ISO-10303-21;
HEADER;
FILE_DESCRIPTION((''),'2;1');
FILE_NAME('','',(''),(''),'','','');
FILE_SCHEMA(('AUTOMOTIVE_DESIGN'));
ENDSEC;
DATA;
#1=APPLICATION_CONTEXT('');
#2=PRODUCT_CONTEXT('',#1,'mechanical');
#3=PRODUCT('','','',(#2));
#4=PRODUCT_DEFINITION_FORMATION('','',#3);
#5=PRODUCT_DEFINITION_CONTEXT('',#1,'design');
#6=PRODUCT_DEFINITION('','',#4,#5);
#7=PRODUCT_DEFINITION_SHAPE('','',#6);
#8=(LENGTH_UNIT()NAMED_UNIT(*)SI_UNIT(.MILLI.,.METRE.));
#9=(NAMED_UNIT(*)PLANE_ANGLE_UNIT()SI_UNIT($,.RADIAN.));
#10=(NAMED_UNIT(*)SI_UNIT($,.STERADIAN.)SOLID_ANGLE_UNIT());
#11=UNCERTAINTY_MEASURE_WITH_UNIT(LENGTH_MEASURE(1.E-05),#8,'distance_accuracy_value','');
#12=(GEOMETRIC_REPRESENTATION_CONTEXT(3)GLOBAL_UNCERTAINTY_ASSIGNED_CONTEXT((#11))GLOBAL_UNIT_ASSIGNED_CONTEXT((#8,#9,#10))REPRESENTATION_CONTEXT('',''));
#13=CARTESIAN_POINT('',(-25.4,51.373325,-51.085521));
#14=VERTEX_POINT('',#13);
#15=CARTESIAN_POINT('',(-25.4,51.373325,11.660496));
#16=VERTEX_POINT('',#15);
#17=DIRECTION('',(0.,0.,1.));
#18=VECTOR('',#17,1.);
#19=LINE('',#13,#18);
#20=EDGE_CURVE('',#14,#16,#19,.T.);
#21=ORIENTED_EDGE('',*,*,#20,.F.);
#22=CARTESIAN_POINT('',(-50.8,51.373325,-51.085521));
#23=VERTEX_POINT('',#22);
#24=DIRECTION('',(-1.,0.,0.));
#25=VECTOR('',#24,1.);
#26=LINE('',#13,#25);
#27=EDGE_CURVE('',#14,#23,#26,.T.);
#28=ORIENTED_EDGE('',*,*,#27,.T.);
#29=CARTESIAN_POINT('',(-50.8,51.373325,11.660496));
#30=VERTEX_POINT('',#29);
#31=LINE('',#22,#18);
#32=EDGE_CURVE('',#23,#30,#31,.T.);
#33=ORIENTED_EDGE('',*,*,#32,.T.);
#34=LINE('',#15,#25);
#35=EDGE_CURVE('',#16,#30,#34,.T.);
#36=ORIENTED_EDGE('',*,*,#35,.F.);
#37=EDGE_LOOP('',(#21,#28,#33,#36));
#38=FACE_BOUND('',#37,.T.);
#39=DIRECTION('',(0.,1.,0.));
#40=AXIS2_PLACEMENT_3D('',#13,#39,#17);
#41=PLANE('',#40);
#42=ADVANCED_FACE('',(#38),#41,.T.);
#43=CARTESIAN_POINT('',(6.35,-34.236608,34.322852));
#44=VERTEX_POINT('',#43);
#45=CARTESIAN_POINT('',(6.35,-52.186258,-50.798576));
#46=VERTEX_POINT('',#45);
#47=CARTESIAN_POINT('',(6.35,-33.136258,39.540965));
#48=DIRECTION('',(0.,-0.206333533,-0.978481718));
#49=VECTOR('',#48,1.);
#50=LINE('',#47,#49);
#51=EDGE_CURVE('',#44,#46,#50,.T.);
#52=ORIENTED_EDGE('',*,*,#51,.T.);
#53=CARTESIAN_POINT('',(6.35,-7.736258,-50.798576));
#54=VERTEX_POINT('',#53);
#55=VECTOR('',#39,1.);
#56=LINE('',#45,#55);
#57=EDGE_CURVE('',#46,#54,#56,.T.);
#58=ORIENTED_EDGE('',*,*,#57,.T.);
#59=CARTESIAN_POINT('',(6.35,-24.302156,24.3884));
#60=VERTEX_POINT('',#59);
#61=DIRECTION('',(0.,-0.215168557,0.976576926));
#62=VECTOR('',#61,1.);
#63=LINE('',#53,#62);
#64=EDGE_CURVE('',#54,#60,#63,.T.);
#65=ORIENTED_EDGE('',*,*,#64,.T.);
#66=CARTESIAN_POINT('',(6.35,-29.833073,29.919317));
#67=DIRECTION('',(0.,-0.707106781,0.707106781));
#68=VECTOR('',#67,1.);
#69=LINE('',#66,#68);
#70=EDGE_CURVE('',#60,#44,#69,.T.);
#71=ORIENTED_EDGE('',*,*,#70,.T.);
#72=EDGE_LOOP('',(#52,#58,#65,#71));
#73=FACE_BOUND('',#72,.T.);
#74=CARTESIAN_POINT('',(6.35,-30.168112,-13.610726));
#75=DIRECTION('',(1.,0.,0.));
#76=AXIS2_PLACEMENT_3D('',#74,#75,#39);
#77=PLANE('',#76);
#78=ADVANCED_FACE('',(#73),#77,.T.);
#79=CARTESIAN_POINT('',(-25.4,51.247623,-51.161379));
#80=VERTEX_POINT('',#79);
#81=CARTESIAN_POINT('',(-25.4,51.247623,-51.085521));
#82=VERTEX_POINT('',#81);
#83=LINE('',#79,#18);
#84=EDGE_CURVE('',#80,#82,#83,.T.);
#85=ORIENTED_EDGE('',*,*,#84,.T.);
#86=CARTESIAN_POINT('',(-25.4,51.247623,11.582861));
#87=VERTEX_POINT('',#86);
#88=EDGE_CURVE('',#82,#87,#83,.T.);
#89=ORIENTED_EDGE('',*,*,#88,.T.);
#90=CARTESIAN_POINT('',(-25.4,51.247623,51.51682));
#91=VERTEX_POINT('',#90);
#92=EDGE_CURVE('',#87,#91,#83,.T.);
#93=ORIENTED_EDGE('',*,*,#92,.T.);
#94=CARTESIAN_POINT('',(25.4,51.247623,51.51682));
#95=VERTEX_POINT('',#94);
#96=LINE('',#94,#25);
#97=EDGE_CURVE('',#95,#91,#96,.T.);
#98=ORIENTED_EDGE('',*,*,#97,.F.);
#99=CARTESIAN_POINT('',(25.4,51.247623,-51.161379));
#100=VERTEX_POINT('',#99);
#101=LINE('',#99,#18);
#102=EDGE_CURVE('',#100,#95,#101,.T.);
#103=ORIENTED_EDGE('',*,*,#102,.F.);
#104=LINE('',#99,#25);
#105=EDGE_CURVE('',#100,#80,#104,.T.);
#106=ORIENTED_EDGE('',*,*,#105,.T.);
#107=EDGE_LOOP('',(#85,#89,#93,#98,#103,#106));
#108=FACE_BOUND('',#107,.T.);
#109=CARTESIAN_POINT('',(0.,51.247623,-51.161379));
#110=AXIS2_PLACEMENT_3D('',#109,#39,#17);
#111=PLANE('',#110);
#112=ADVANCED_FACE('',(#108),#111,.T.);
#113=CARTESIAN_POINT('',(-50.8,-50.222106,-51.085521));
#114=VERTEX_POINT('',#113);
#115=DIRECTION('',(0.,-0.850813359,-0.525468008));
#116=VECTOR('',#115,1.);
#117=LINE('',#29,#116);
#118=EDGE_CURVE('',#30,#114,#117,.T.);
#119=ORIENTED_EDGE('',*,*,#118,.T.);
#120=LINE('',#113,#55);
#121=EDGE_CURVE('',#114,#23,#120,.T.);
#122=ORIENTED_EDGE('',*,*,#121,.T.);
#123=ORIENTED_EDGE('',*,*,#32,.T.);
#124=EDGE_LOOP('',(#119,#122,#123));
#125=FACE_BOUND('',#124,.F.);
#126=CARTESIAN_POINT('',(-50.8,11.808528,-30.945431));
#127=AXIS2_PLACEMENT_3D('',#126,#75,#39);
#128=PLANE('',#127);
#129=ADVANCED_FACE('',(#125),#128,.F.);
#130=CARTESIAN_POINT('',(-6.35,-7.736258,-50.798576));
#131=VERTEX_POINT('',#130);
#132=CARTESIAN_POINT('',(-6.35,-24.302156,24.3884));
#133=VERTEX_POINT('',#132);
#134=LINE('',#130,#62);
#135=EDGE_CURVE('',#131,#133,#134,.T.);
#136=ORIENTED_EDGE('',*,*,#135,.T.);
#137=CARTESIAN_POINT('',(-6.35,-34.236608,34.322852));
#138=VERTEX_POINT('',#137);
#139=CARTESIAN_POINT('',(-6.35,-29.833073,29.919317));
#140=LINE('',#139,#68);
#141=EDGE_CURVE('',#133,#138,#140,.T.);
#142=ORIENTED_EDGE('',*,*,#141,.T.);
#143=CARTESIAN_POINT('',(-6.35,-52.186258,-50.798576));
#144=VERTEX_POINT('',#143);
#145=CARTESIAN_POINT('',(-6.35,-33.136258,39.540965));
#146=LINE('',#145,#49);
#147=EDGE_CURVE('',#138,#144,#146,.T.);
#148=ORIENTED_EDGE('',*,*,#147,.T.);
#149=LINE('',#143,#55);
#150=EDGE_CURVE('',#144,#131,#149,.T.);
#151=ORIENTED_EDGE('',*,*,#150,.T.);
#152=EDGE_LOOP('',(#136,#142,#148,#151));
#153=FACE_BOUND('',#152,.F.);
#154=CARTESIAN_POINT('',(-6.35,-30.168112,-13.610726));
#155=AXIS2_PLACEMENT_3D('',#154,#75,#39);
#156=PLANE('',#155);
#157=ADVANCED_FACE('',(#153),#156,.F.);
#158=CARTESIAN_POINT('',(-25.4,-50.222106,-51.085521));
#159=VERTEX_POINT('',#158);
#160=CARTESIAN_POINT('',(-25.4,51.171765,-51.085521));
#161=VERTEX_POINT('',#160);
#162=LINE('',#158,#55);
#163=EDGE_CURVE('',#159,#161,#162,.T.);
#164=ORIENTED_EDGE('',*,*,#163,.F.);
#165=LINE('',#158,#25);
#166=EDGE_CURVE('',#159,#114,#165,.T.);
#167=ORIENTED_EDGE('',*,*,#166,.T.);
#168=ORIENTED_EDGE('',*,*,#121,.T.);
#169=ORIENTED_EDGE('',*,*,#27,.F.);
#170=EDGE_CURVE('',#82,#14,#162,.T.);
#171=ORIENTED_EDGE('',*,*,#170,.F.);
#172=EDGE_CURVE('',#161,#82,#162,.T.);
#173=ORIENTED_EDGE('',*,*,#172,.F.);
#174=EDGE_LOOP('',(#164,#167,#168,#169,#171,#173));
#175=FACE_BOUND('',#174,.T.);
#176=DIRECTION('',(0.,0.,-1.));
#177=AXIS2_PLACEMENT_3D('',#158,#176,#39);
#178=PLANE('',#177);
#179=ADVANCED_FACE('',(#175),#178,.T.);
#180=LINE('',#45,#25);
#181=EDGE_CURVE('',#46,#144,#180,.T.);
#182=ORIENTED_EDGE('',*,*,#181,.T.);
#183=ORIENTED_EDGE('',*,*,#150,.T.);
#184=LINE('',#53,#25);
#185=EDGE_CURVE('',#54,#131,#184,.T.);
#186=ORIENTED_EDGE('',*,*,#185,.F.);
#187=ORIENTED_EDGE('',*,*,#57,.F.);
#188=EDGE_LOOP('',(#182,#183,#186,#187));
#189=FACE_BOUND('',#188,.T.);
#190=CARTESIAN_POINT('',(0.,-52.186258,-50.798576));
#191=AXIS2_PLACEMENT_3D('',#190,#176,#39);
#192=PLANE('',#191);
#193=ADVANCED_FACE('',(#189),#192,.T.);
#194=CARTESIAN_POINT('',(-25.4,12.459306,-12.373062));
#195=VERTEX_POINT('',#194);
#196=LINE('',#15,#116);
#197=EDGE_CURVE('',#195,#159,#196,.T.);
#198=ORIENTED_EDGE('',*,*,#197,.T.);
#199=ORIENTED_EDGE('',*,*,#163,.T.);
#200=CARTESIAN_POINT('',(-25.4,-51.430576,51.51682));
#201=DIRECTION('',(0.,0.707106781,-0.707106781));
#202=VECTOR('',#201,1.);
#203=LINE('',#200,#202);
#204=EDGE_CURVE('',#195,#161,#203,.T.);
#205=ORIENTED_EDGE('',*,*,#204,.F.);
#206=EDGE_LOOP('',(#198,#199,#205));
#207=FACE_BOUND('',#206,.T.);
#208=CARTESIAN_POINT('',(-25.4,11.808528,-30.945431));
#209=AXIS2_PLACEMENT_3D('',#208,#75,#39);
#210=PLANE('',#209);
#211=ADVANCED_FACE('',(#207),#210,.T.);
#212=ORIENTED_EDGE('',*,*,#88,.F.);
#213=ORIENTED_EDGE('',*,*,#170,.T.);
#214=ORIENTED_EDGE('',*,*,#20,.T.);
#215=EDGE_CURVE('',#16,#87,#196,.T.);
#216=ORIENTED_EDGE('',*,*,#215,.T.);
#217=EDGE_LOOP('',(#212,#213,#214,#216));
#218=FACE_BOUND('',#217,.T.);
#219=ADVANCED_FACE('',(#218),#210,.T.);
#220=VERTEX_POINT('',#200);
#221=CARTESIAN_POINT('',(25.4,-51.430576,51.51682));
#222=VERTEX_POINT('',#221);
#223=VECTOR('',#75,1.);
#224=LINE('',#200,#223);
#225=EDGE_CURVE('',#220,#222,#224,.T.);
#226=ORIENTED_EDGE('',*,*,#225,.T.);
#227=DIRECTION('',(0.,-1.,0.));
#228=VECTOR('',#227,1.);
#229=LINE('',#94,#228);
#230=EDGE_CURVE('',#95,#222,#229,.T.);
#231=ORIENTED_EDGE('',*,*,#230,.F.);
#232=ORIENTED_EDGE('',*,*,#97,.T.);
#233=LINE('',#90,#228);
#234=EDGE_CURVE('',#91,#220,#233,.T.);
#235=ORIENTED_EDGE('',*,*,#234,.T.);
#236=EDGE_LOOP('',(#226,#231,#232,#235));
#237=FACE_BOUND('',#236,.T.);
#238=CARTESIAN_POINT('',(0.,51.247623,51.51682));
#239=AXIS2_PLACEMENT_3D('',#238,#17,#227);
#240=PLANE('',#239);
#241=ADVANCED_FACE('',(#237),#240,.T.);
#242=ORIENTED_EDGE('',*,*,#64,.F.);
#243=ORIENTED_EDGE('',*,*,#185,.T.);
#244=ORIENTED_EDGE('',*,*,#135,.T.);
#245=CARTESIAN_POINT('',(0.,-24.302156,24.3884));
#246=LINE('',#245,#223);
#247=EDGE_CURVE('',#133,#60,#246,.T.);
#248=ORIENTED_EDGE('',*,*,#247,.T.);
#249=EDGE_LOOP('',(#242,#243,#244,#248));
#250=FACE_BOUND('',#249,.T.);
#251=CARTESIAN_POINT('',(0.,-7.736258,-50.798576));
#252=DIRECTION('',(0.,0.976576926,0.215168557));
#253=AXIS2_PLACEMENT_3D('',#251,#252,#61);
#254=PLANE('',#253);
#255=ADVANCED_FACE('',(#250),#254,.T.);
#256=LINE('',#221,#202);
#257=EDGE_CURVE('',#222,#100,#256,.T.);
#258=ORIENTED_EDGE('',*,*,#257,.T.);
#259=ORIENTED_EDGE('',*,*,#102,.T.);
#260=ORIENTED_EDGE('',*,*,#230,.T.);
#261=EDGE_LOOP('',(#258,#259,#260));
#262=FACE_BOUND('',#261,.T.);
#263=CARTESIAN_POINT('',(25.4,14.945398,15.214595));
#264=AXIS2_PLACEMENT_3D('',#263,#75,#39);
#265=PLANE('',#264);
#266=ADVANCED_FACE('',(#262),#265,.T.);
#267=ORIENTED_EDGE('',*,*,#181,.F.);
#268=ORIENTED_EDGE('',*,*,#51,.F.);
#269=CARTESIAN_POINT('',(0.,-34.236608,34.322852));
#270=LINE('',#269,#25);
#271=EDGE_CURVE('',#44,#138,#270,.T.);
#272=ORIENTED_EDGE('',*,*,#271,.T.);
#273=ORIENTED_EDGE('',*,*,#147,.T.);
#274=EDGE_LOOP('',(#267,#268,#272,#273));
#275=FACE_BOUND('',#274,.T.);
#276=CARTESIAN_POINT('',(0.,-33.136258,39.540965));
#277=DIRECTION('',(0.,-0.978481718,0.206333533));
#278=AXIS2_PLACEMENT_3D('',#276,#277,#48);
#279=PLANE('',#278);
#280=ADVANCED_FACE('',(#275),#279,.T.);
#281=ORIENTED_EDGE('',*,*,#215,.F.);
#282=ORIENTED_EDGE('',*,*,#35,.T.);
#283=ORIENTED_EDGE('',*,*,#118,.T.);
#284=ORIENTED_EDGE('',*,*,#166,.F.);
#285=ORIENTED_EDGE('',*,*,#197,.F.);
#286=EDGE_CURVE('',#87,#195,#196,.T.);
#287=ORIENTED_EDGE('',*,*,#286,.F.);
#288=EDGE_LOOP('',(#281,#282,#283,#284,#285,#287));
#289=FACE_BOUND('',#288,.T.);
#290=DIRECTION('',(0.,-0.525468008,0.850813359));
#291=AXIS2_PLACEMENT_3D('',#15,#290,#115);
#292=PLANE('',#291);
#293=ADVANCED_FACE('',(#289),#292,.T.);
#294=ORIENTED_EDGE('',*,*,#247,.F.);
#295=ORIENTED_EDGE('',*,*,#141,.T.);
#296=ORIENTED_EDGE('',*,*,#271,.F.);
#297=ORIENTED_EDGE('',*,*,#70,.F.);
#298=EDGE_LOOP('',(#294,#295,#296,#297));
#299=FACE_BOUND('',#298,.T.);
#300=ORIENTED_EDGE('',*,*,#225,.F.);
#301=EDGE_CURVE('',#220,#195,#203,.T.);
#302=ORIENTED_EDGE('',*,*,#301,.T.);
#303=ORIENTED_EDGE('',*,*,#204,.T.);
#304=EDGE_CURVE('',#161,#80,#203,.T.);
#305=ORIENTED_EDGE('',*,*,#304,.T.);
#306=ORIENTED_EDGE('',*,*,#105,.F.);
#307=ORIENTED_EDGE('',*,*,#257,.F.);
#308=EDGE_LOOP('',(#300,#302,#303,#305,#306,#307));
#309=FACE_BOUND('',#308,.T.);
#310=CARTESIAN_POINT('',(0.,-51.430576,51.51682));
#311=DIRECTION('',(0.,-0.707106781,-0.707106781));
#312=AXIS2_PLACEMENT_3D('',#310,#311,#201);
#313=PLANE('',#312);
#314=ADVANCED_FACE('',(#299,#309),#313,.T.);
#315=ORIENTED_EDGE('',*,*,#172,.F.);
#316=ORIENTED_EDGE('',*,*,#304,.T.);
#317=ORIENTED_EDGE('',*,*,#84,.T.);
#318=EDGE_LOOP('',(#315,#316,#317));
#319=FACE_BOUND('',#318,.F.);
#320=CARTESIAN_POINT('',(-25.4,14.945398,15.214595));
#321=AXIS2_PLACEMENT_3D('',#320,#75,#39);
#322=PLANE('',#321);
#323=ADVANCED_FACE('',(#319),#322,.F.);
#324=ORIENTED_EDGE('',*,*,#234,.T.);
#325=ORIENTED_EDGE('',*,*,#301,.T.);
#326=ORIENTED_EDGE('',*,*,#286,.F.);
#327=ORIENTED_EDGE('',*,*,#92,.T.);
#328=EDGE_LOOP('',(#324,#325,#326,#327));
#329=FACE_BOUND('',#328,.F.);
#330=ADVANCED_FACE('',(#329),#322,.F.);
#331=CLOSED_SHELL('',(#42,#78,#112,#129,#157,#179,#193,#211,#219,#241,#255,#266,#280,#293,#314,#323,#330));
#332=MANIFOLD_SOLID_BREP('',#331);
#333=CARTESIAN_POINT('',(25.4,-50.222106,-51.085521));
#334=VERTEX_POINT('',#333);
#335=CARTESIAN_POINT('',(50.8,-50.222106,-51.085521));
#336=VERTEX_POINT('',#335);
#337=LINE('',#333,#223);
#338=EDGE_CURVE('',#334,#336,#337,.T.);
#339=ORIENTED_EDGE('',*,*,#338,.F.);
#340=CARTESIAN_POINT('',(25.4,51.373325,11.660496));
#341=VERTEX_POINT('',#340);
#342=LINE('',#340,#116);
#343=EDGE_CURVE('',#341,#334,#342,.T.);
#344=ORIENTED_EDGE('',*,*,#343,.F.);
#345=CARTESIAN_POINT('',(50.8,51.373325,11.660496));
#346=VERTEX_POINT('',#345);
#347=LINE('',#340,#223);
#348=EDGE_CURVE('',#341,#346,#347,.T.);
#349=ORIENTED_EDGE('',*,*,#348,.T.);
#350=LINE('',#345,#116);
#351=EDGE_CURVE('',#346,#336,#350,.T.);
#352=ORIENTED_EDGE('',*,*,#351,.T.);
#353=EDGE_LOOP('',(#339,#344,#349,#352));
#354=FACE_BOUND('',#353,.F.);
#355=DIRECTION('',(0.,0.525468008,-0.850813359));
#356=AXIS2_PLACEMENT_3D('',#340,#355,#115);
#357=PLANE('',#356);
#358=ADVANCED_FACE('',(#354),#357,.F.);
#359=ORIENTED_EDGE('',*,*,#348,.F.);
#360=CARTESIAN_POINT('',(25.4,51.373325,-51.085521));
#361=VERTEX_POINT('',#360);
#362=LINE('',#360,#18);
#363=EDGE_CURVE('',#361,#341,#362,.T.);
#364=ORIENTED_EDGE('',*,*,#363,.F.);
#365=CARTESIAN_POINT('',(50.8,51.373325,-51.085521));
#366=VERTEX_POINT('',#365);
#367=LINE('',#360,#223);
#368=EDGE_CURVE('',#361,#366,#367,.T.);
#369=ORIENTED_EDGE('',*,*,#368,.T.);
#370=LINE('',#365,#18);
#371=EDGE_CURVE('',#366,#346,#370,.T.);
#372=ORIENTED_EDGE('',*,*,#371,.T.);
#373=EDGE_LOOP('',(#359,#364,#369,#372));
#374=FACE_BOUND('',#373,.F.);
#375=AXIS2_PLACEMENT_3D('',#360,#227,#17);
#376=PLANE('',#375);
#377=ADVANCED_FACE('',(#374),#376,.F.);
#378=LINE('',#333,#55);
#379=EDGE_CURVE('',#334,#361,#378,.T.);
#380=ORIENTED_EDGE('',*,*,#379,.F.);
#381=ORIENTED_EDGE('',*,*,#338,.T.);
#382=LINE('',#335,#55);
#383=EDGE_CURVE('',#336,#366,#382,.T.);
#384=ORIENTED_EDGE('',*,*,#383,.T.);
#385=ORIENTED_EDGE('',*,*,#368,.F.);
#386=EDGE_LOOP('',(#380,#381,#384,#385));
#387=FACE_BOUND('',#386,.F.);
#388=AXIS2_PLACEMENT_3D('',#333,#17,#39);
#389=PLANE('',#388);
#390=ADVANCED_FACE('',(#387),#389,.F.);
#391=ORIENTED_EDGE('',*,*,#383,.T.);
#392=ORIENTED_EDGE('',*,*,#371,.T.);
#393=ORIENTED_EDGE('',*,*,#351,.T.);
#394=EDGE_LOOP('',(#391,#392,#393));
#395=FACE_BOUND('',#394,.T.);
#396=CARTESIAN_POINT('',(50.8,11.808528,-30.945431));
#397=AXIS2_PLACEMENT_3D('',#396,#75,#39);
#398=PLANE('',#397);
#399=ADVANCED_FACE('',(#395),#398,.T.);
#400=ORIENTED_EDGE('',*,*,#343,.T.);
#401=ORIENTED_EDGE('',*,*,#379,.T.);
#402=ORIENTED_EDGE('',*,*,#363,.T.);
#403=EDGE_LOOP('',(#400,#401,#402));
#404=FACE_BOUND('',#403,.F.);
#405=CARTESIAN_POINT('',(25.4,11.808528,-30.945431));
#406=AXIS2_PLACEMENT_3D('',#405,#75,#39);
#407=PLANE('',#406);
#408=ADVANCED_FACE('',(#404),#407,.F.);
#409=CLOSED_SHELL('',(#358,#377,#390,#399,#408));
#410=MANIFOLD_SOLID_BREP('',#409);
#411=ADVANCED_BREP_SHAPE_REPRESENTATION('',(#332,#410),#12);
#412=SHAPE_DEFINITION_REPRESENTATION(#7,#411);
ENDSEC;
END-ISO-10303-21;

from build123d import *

# Parameters (mm, degrees)
F1_DEPTH = 25.4
F3_DEPTH = 6.35
F5_START = 25.4
F5_DEPTH = 25.4
F6_START = -25.4
F6_DEPTH = 25.4


with BuildPart() as f1:
    # F0 (on Right) → F1 (new body, symmetric)
    with BuildSketch(Plane.YZ):
        Polygon((51.2476228178, 51.5168197453), (0, 51.5168197453), (-51.4305755496, 51.5168197453), (51.2476228178, -51.1613786221), align=None)
    extrude(amount=F1_DEPTH, both=True)

    # F2 (on Right) → F3 (join, symmetric)
    with BuildSketch(Plane.YZ):
        Polygon((-7.7362581372, -50.7985763252), (-26.7862581372, 35.6628969312), (-33.1362581372, 39.5409651101), (-52.1862581372, -50.7985763252), align=None)
    extrude(amount=F3_DEPTH, both=True)

    # F4 (on Right) → F6 (join)
    with BuildSketch(Plane.YZ.offset(F6_START)):
        Polygon((51.3733252883, -51.0855205357), (51.3733252883, 0), (51.3733252883, 11.660495895), (-50.2221062779, -51.0855205357), align=None)
    extrude(amount=-F6_DEPTH)


with BuildPart() as f5:
    # F4 (on Right) → F5 (new body)
    with BuildSketch(Plane.YZ.offset(F5_START)):
        Polygon((51.3733252883, -51.0855205357), (51.3733252883, 0), (51.3733252883, 11.660495895), (-50.2221062779, -51.0855205357), align=None)
    extrude(amount=F5_DEPTH)


solid = Compound([f1.part, f5.part])
